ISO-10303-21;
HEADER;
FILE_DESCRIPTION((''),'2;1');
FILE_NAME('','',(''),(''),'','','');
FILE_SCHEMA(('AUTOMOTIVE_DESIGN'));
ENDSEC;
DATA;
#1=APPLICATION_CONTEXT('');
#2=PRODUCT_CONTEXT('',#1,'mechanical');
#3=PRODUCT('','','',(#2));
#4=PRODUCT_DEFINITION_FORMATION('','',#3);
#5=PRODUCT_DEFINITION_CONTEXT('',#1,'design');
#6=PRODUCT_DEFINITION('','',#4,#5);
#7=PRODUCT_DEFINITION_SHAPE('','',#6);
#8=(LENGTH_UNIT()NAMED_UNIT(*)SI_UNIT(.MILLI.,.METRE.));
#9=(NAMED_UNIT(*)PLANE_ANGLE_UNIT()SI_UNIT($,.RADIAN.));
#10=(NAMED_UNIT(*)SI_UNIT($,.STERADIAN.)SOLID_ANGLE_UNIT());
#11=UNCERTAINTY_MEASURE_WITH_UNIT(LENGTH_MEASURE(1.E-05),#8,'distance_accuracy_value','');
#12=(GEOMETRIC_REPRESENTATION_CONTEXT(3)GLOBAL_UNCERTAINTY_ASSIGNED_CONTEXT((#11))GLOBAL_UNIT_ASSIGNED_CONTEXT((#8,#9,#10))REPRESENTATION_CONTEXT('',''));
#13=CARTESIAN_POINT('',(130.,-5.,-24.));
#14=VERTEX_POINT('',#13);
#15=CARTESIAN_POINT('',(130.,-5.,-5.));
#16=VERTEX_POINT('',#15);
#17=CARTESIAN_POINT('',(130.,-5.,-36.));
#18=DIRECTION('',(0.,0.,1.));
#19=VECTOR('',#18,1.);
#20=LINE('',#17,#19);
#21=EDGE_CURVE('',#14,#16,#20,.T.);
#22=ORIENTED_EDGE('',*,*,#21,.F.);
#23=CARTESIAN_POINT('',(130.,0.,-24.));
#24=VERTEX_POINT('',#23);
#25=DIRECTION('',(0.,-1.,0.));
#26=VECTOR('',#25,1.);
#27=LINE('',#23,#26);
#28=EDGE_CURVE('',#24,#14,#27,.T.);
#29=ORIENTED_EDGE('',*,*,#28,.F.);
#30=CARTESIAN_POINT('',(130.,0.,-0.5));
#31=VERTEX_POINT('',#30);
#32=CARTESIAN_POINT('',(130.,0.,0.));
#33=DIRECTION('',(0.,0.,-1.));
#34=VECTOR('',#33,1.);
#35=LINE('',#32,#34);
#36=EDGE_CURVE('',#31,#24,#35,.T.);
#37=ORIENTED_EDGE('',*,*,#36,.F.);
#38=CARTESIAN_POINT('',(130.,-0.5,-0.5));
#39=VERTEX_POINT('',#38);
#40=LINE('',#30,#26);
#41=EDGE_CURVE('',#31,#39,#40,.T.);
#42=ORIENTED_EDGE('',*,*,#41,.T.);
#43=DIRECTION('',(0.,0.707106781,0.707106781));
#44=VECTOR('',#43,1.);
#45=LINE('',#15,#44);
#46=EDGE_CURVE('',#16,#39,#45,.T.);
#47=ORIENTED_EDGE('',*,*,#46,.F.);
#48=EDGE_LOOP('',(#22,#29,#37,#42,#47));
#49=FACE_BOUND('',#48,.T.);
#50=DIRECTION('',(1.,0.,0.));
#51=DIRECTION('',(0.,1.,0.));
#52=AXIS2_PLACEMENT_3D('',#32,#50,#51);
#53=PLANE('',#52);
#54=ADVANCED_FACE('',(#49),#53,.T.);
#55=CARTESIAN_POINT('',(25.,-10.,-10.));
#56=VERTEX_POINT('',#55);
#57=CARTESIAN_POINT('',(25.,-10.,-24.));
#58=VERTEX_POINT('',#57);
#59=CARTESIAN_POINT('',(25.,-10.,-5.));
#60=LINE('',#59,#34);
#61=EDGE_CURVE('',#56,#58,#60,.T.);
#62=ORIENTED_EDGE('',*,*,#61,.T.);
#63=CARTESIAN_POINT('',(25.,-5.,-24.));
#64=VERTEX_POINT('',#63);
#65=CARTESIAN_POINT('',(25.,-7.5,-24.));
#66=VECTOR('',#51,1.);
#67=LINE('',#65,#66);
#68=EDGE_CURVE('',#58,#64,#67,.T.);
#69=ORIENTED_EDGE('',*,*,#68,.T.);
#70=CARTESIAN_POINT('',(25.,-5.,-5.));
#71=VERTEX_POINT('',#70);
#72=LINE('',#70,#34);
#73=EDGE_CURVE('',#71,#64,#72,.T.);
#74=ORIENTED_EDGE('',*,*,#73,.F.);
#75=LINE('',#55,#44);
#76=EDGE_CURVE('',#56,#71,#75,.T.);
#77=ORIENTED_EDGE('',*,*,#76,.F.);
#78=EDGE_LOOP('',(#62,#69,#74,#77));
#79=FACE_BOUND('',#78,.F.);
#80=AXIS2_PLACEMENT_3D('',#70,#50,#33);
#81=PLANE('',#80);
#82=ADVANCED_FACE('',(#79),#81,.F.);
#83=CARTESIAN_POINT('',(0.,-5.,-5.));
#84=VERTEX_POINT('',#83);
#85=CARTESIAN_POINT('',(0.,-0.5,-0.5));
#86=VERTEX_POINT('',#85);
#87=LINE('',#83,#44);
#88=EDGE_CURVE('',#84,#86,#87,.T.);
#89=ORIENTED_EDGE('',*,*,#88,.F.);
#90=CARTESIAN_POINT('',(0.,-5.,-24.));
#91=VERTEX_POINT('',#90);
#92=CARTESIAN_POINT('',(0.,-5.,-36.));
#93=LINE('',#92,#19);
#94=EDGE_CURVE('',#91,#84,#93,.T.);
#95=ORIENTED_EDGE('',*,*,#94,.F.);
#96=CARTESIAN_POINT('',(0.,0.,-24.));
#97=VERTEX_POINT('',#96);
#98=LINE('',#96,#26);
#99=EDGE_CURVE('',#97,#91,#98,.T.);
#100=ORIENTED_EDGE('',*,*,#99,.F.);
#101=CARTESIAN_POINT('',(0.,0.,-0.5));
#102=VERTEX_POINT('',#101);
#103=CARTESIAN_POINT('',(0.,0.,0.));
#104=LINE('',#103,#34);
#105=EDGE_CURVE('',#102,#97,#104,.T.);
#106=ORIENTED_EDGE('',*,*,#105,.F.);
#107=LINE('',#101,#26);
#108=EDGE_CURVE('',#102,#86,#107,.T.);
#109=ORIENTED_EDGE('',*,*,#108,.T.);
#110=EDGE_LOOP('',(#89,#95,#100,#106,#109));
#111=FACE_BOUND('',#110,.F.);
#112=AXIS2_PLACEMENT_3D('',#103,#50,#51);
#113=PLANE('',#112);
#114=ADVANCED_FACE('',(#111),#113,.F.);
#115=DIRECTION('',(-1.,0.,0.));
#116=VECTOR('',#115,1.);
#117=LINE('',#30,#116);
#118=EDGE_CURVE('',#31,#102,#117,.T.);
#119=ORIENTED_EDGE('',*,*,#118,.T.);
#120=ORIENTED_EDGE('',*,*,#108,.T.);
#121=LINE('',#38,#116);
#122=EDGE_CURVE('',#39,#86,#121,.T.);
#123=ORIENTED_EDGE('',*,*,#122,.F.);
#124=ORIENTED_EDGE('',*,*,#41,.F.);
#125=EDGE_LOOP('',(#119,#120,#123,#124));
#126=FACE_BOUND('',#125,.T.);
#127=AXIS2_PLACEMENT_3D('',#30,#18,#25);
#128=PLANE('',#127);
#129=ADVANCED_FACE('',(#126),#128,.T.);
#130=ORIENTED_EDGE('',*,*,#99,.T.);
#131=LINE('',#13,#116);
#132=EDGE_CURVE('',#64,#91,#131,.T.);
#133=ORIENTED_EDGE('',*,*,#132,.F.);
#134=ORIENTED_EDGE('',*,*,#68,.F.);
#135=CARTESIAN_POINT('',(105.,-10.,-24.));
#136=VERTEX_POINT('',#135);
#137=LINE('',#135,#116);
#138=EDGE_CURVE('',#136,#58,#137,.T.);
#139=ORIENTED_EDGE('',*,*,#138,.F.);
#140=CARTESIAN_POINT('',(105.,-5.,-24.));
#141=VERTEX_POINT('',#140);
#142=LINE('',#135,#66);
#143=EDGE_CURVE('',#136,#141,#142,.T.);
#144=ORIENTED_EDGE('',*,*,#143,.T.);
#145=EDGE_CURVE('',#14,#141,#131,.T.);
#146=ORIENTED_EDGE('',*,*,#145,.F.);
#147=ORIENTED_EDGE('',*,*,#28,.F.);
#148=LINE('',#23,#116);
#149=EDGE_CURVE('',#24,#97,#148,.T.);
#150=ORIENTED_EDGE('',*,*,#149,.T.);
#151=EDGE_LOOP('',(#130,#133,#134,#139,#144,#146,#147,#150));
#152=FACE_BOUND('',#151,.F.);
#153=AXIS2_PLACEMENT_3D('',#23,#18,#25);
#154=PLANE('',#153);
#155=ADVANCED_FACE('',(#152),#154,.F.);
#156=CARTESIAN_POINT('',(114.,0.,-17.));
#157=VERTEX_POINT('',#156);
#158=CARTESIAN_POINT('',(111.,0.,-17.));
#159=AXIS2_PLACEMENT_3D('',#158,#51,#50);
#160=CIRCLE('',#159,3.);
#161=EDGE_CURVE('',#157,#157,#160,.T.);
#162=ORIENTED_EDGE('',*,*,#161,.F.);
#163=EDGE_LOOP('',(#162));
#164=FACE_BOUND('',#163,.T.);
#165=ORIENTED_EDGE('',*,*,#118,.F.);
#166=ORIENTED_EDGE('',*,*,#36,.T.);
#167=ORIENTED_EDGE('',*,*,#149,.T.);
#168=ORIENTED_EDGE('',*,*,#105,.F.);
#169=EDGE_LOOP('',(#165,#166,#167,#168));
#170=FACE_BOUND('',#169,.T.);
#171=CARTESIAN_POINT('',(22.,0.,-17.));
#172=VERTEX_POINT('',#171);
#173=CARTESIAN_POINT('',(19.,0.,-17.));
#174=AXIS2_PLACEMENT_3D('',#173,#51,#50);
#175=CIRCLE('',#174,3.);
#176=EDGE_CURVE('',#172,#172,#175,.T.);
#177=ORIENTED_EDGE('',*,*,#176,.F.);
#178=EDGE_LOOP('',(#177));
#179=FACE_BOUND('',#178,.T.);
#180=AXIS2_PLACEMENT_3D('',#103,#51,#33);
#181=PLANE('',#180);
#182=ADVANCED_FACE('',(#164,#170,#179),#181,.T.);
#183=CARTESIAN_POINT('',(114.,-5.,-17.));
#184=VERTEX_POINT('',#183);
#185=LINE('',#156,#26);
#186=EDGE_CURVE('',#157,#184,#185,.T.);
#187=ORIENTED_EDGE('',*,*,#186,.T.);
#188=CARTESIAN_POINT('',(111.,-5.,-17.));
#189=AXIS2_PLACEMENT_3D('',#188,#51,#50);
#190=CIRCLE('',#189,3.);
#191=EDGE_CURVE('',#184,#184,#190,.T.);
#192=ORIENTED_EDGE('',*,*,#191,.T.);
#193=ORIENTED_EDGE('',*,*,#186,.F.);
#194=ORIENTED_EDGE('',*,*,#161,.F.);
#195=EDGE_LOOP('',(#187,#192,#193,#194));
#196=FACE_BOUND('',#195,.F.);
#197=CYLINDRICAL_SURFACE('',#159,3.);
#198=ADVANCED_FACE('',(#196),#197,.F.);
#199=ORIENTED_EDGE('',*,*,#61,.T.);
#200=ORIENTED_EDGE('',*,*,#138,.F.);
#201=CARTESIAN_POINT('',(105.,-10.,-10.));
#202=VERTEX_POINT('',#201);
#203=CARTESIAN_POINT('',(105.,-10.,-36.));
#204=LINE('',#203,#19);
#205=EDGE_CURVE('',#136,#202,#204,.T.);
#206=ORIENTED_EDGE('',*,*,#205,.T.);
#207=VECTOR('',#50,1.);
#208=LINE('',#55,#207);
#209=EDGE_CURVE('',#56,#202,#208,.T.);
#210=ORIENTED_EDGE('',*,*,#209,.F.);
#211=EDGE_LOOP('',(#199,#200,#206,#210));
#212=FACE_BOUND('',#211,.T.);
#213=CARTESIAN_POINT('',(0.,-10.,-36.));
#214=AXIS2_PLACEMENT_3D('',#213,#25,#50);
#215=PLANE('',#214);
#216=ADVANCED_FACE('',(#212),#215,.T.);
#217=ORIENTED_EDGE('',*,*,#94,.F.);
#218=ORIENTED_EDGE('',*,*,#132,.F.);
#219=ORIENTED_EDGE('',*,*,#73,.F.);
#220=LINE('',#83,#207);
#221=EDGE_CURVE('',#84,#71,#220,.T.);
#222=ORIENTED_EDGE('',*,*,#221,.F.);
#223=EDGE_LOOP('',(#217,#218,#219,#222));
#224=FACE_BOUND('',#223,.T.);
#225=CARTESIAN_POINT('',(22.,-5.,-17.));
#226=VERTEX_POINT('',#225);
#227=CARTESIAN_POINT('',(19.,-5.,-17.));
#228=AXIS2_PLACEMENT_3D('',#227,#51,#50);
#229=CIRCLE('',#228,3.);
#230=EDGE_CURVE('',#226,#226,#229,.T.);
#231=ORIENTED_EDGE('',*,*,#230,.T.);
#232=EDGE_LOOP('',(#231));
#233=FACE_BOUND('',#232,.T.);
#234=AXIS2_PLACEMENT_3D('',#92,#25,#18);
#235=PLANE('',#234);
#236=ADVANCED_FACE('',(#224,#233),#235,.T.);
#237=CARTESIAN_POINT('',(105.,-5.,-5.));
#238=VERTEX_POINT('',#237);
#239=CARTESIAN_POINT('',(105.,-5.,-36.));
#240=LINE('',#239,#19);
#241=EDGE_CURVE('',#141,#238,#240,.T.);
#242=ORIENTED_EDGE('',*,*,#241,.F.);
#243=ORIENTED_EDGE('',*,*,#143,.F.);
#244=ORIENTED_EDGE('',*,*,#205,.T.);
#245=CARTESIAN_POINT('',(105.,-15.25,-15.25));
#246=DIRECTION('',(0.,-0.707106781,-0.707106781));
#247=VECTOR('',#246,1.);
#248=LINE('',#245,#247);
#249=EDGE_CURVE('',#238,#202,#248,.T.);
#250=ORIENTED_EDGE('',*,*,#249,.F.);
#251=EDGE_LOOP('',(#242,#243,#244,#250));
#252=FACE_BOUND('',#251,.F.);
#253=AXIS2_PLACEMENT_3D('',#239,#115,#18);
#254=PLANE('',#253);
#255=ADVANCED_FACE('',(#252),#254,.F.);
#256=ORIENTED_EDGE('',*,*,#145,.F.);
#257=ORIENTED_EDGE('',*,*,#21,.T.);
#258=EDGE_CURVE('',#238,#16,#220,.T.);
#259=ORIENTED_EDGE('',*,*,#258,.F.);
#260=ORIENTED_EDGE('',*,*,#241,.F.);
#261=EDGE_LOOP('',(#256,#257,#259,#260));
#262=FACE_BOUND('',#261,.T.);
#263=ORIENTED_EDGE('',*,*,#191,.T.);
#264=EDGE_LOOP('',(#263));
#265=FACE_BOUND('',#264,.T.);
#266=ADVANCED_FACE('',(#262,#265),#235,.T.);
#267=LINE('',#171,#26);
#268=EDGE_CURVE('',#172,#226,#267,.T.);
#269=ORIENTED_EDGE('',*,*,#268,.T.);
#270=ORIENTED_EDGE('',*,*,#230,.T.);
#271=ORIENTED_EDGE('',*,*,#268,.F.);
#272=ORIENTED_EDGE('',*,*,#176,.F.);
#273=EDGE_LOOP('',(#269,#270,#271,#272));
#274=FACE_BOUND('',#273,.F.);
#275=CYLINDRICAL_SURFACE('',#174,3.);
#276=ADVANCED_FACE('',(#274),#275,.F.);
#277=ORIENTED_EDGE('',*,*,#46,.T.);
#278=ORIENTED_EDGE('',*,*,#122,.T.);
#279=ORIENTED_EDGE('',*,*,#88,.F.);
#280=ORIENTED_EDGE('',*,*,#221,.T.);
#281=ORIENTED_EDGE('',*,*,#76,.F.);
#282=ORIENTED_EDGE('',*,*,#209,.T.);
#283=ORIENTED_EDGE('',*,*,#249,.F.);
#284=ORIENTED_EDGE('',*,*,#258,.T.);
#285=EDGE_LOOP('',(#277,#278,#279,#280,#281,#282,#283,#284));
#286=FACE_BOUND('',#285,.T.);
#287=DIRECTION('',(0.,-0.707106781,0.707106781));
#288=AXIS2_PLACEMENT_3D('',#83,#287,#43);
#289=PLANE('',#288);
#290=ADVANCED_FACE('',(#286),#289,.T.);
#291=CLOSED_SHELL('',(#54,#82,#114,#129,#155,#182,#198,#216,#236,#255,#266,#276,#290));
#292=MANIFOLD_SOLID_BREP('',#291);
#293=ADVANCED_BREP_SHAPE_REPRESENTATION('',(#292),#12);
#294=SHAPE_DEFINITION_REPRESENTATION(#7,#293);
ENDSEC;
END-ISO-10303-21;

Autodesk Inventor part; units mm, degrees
ref_plane "YZ Plane" through (0, 0, 0) normal (1, 0, 0) x (0, 1, 0)
ref_plane "XZ Plane" through (0, 0, 0) normal (0, 1, 0) x (-1, 0, 0)
ref_plane "XY Plane" through (0, 0, 0) normal (0, 0, 1) x (1, 0, 0)
sketch "Sketch1" plane through (0, 0, 0) normal (1, 0, 0) x (0, 1, 0)
  line L0 (0, 0) -> (0, -36)
  line L1 (0, -36) -> (-5, -36)
  line L2 (-5, -36) -> (-5, -5)
  line L3 (-5, -5) -> (0, 0)
  dimension "d1" = 5
  dimension "d2" = 45
  dimension "d5" = 31
extrude "Extrusion1" add sketch "Sketch1" along normal blind 130
sketch "Sketch2" plane through (130, 0, 0) normal (1, 0, 0) x (0, 0, -1)
  line L0 (36, 0) -> (0, 0) projected
  line L1 (0, 0) -> (0.5, 0)
  line L2 (0.5, 0) -> (0.5, -0.5)
  line L3 (0, 0) -> (5, -5) projected
  line L4 (0, 0) -> (0.5, -0.5)
  dimension "d6" = 0.5
extrude "Extrusion2" cut sketch "Sketch2" against normal through all
sketch "Sketch3" plane through (0, 0, -36) normal (0, 1, 0) x (1, 0, 0)
  circle A0 centre (19, -6) radius 3
  circle A1 centre (19, -19) radius 3
  line L0 (0, -35.5) -> (0, 0) projected
  line L1 (0, 0) -> (130, 0) projected
  circle A2 centre (111, -6) radius 3
  circle A3 centre (111, -19) radius 3
  line L2 (130, 0) -> (130, -35.5) projected
  point P0 (0, -36)
  dimension "d9" = 6
  dimension "d10" = 6
  dimension "d11" = 19
  dimension "d12" = 13
  dimension "d13" = 6
  dimension "d16" = 6
  dimension "d17" = 6
  dimension "d18" = 19
  dimension "d19" = 13
extrude "Extrusion4" cut sketch "Sketch3" against normal up to next
sketch "Sketch4" plane through (0, -5, -36) normal (0, -1, 0) x (1, 0, 0)
  line L0 (0, 0) -> (130, 0) projected
  line L1 (0, 31) -> (130, 31) projected
  line L2 (25, 0) -> (105, 0)
  line L3 (105, 0) -> (105, 31)
  line L4 (105, 31) -> (25, 31)
  line L5 (25, 31) -> (25, 0)
  line L6 (130, 31) -> (130, 0) projected
  point P0 (0, 36)
  dimension "d22" = 25
  dimension "d23" = 25
extrude "Extrusion5" add sketch "Sketch4" along normal blind 5 contours L5 L1 L3 L0
sketch "Sketch5" plane through (25, -5, -36) normal (-1, 0, 0) x (0, 0, 1)
  line L0 (31, 0) -> (31, -5) projected
  line L1 (31, 0) -> (31, -5)
  line L2 (31, -5) -> (26, -5)
  line L3 (0, -5) -> (31, -5) projected
  line L4 (26, -5) -> (31, 0)
  point P0 (36, 5)
  dimension "d26" = 5
extrude "Extrusion6" cut sketch "Sketch5" against normal up to next
sketch "Sketch6" plane through (130, 0, 0) normal (1, 0, 0) x (0, 0, -1)
  line L0 (0.5, 0) -> (0.5, -0.5) projected
  line L1 (0.5, -0.5) -> (5, -5) projected
  line L2 (5, -5) -> (36, -5) projected
  line L3 (36, -5) -> (36, 0) projected
  line L4 (36, 0) -> (0.5, 0) projected
  line L5 (5, -5) -> (10, -10) projected
  line L6 (36, -10) -> (10, -10) projected
  line L7 (36, -5) -> (36, -10) projected
  line L8 (5, -5) -> (36, -5) projected
  line L9 (36, 0) -> (24, 0)
  line L10 (24, 0) -> (24, -5)
  line L11 (24, -5) -> (36, -5)
  line L12 (36, -5) -> (36, 0)
  point P0 (0, 0)
  dimension "d29" = 12
  dimension "d30" = 5
extrude "Extrusion7" cut sketch "Sketch6" against normal through all contours L4 L3 L2 L10
sketch "Sketch7" plane through (105, -10, -10) normal (1, 0, 0) x (0, 0, -1)
  line L0 (-5, 5) -> (0, 0) projected
  line L1 (26, 0) -> (0, 0) projected
  line L2 (26, 5) -> (26, 0) projected
  line L3 (14, 5) -> (26, 5) projected
  line L4 (-5, 5) -> (14, 5) projected
  line L5 (14, 5) -> (14, 10) projected
  line L6 (14, 10) -> (-9.5, 10) projected
  line L7 (-9.5, 10) -> (-9.5, 9.5) projected
  line L8 (-9.5, 9.5) -> (-5, 5) projected
  line L9 (-5, 5) -> (14, 5) projected
  line L10 (26, 0) -> (14, 0)
  line L11 (14, 0) -> (14, 5)
  line L12 (14, 5) -> (26, 5)
  line L13 (26, 5) -> (26, 0)
  point P0 (-10, 10)
extrude "Extrusion8" cut sketch "Sketch7" against normal through all contours L3 L2 L1 L11
properties part number "back_beam"
